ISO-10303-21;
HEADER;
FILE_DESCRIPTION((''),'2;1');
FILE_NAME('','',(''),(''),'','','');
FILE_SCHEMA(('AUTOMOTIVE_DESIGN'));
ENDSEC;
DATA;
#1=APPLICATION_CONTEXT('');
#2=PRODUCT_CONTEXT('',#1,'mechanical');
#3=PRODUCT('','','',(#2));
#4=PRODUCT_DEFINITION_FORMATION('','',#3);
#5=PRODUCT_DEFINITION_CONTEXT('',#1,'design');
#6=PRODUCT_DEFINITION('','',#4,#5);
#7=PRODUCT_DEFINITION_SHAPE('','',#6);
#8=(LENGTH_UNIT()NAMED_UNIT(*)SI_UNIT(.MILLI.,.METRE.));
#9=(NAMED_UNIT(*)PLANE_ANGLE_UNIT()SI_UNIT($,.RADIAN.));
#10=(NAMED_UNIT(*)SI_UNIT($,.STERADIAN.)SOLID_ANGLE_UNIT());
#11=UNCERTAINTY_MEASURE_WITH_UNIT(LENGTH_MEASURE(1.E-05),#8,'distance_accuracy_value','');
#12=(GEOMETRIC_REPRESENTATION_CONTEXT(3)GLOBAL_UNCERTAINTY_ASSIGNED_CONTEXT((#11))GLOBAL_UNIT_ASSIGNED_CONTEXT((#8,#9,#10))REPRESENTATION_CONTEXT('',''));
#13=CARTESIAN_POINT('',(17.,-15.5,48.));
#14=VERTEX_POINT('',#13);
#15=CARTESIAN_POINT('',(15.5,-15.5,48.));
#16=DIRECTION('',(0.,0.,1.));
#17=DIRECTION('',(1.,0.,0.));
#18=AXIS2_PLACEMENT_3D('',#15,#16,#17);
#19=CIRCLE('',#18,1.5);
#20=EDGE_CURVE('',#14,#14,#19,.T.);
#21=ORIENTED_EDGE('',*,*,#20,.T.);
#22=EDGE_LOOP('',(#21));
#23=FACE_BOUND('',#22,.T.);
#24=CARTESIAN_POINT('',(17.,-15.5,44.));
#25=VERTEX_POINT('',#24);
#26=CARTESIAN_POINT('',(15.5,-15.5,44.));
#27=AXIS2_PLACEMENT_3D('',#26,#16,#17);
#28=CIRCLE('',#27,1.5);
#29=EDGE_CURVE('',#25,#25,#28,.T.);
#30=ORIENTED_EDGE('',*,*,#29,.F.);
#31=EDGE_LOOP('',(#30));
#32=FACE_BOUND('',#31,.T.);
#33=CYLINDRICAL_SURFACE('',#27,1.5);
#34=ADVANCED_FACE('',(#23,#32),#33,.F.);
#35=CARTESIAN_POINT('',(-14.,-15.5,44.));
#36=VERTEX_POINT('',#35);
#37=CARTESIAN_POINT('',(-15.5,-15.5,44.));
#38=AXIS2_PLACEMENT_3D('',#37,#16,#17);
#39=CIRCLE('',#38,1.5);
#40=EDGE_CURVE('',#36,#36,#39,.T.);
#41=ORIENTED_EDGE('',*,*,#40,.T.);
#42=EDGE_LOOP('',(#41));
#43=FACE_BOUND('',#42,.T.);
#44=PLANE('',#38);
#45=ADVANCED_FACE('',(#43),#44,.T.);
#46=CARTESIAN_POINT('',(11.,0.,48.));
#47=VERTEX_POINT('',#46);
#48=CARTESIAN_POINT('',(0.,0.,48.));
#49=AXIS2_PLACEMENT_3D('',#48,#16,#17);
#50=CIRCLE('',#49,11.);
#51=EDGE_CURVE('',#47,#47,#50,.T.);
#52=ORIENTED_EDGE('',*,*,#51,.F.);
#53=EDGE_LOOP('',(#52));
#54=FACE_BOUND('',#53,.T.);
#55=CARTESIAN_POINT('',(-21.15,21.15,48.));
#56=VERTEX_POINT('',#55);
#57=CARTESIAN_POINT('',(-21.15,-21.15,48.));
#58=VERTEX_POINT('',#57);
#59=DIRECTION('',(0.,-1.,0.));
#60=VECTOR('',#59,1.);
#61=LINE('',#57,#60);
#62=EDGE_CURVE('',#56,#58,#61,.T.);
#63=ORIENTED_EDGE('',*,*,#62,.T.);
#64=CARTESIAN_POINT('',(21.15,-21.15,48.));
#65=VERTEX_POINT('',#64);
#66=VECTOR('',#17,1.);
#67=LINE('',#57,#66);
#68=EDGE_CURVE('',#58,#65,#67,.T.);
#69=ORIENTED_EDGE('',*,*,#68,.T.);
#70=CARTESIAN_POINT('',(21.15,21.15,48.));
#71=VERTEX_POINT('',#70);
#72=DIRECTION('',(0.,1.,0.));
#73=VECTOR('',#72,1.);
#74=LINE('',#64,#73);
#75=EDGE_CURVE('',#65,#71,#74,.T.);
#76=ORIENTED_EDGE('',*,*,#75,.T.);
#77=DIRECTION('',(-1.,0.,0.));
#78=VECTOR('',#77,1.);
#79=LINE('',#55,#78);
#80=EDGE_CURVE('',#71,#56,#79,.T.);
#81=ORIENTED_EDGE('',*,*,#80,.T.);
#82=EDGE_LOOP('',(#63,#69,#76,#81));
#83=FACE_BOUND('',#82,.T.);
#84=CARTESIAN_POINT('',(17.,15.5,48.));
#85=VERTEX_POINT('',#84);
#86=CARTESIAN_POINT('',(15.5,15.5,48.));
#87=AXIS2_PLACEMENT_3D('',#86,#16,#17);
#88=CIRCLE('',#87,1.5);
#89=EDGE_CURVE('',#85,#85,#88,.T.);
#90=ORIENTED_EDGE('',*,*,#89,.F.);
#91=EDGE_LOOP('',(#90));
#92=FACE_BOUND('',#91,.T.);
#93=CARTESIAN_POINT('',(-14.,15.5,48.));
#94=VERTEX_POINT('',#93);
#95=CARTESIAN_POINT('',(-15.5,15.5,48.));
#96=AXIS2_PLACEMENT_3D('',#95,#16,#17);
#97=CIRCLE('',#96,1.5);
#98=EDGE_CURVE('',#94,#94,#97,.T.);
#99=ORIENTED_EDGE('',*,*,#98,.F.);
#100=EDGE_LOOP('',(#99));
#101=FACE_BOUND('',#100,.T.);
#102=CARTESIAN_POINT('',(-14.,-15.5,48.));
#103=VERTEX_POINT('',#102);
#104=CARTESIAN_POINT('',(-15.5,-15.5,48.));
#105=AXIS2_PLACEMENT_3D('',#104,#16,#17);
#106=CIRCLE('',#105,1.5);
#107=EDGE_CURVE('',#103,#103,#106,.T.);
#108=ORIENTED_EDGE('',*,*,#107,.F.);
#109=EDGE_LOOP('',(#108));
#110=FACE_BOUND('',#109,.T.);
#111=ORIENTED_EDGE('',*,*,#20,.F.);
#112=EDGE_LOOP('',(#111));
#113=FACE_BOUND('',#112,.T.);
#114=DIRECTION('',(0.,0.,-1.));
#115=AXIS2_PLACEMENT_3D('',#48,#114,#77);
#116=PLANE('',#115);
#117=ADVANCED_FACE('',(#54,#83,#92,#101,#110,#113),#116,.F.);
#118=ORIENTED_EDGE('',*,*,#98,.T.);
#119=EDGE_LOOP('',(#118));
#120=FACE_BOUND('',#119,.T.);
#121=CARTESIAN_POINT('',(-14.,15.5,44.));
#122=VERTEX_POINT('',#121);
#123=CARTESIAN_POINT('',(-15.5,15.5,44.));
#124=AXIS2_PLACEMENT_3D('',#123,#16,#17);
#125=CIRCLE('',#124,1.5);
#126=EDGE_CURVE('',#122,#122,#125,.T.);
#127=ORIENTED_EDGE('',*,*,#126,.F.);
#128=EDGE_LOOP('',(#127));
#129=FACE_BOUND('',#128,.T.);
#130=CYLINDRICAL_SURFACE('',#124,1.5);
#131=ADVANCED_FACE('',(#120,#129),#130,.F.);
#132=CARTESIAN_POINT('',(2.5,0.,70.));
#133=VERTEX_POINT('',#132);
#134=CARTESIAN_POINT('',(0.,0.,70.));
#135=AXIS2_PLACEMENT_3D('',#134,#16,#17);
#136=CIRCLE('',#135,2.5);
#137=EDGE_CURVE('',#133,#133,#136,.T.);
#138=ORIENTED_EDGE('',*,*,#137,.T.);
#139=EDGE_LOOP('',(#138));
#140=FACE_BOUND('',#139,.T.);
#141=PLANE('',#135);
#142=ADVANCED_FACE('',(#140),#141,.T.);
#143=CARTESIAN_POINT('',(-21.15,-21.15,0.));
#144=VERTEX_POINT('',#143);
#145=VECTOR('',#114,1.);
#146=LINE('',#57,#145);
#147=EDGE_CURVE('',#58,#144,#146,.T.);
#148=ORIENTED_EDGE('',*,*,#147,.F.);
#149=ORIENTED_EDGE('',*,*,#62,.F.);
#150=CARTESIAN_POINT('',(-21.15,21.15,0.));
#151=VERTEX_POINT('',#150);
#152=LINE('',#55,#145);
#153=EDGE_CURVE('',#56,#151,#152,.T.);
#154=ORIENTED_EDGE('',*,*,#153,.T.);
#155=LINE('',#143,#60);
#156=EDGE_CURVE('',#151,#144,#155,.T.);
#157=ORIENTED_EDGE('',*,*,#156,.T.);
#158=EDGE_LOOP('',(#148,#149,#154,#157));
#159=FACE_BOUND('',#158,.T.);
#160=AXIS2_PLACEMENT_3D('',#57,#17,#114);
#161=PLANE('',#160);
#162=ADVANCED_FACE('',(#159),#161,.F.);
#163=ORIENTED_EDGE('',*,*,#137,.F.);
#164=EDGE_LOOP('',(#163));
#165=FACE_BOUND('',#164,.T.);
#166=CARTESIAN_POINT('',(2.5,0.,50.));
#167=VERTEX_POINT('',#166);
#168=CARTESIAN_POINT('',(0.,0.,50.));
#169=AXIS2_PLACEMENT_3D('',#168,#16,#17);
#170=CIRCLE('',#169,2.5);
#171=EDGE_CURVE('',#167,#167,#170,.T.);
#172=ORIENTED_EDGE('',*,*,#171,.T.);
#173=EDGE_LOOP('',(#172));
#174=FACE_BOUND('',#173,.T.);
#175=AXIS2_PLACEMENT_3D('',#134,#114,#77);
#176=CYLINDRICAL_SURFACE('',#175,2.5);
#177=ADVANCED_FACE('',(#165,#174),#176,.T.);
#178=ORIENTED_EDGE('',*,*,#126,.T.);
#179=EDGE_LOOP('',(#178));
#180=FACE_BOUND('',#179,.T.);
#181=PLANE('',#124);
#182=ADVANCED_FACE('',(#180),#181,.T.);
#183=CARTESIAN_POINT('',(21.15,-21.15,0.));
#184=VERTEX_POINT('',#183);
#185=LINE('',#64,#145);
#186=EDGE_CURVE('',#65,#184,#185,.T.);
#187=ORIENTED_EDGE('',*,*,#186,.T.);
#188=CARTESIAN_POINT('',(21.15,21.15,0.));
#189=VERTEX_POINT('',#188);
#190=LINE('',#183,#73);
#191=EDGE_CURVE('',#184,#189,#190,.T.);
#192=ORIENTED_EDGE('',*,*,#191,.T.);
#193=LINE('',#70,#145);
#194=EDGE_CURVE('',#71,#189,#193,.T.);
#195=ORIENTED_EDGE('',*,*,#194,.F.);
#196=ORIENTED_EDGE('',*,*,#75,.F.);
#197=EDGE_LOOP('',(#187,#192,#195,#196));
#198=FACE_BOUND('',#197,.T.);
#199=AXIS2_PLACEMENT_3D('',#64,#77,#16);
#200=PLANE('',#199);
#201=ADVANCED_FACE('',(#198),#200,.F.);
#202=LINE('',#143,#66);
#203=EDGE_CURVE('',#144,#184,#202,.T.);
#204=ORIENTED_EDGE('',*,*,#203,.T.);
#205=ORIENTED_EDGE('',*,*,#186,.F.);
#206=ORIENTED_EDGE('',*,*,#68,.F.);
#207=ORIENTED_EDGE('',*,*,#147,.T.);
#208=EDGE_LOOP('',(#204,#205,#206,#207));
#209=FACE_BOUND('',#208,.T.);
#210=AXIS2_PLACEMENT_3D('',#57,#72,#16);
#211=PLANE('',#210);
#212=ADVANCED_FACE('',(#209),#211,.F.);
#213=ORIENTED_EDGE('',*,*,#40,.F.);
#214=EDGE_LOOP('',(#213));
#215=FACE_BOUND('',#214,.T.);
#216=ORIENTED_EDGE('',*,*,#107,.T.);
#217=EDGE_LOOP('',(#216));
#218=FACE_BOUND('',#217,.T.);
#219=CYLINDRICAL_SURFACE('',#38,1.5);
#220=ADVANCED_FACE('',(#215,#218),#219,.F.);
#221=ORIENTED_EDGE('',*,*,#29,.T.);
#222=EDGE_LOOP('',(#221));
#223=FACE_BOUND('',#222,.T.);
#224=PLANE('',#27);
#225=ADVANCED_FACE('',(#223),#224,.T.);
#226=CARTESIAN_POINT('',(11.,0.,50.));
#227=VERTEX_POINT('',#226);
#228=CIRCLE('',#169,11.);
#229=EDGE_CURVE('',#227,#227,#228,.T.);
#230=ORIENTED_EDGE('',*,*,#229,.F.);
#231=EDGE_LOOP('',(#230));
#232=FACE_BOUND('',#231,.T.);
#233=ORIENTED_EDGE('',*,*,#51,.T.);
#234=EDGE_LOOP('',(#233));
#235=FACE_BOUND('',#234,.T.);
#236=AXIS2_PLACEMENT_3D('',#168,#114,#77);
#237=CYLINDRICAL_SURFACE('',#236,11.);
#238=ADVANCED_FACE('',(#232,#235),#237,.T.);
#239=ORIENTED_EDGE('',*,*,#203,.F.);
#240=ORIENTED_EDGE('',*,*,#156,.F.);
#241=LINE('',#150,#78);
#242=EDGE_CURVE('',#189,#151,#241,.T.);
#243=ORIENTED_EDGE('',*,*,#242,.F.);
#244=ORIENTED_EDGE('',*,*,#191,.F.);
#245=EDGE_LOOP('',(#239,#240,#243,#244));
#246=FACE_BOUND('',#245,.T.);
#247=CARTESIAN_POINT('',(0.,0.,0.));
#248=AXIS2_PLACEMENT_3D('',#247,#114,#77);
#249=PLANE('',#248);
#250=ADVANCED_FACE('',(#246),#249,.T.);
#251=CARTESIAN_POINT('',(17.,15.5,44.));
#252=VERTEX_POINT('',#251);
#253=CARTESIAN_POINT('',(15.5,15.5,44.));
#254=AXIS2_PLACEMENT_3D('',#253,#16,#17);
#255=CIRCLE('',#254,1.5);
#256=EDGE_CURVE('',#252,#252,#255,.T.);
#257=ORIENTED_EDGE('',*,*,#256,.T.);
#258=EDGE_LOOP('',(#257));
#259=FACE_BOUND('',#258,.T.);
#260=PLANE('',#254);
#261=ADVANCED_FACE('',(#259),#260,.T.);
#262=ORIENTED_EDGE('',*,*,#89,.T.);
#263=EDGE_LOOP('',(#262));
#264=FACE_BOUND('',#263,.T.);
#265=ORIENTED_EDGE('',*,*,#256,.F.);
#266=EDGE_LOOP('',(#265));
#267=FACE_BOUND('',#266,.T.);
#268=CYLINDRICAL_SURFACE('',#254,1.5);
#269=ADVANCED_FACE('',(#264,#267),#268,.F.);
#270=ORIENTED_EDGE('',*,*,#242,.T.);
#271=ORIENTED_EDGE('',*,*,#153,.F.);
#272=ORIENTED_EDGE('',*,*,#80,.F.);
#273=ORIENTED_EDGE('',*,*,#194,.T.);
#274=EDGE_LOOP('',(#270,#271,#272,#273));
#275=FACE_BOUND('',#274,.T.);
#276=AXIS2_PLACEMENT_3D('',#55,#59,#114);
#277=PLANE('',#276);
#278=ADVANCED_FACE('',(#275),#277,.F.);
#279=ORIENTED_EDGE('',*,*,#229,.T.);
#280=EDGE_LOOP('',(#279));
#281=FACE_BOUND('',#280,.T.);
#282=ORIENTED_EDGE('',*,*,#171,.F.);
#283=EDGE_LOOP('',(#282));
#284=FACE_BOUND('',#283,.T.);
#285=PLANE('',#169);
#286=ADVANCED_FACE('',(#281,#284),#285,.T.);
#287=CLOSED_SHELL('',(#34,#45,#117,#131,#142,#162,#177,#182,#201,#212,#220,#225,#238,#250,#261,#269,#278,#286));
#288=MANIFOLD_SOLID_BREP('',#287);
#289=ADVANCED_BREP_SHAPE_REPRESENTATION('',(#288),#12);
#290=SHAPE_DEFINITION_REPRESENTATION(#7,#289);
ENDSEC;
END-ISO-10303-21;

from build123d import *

# Parameters (mm, degrees)
SKIZZE1_W                       = 42.3
SKIZZE1_H                       = 42.3
AUFSATZ_LINEAR_AUSTRAGEN1_DEPTH = 48
SKIZZE2_R                       = 11
AUFSATZ_LINEAR_AUSTRAGEN2_DEPTH = 2
SKIZZE3_R                       = 2.5
AUFSATZ_LINEAR_AUSTRAGEN3_DEPTH = 20
SKIZZE4_R                       = 1.5
SCHNITT_LINEAR_AUSTRAGEN1_DEPTH = 4


with BuildPart() as part:
    # Skizze1 → Aufsatz-Linear austragen1 (new body)
    with BuildSketch(Plane.XY):
        Rectangle(SKIZZE1_W, SKIZZE1_H)
    extrude(amount=AUFSATZ_LINEAR_AUSTRAGEN1_DEPTH)

    # Skizze2 → Aufsatz-Linear austragen2 (add)
    with BuildSketch(Plane.XY.offset(48)):
        Circle(SKIZZE2_R)
    extrude(amount=AUFSATZ_LINEAR_AUSTRAGEN2_DEPTH)

    # Skizze3 → Aufsatz-Linear austragen3 (add)
    with BuildSketch(Plane.XY.offset(50)):
        Circle(SKIZZE3_R)
    extrude(amount=AUFSATZ_LINEAR_AUSTRAGEN3_DEPTH)

    # Skizze4 → Schnitt-Linear austragen1 (cut)
    with BuildSketch(Plane.XY.offset(48)):
        with Locations((-15.5, 15.5)):
            Circle(SKIZZE4_R)
        with Locations((15.5, 15.5)):
            Circle(SKIZZE4_R)
        with Locations((15.5, -15.5)):
            Circle(SKIZZE4_R)
        with Locations((-15.5, -15.5)):
            Circle(SKIZZE4_R)
    extrude(amount=-SCHNITT_LINEAR_AUSTRAGEN1_DEPTH, mode=Mode.SUBTRACT)


solid = part.part
